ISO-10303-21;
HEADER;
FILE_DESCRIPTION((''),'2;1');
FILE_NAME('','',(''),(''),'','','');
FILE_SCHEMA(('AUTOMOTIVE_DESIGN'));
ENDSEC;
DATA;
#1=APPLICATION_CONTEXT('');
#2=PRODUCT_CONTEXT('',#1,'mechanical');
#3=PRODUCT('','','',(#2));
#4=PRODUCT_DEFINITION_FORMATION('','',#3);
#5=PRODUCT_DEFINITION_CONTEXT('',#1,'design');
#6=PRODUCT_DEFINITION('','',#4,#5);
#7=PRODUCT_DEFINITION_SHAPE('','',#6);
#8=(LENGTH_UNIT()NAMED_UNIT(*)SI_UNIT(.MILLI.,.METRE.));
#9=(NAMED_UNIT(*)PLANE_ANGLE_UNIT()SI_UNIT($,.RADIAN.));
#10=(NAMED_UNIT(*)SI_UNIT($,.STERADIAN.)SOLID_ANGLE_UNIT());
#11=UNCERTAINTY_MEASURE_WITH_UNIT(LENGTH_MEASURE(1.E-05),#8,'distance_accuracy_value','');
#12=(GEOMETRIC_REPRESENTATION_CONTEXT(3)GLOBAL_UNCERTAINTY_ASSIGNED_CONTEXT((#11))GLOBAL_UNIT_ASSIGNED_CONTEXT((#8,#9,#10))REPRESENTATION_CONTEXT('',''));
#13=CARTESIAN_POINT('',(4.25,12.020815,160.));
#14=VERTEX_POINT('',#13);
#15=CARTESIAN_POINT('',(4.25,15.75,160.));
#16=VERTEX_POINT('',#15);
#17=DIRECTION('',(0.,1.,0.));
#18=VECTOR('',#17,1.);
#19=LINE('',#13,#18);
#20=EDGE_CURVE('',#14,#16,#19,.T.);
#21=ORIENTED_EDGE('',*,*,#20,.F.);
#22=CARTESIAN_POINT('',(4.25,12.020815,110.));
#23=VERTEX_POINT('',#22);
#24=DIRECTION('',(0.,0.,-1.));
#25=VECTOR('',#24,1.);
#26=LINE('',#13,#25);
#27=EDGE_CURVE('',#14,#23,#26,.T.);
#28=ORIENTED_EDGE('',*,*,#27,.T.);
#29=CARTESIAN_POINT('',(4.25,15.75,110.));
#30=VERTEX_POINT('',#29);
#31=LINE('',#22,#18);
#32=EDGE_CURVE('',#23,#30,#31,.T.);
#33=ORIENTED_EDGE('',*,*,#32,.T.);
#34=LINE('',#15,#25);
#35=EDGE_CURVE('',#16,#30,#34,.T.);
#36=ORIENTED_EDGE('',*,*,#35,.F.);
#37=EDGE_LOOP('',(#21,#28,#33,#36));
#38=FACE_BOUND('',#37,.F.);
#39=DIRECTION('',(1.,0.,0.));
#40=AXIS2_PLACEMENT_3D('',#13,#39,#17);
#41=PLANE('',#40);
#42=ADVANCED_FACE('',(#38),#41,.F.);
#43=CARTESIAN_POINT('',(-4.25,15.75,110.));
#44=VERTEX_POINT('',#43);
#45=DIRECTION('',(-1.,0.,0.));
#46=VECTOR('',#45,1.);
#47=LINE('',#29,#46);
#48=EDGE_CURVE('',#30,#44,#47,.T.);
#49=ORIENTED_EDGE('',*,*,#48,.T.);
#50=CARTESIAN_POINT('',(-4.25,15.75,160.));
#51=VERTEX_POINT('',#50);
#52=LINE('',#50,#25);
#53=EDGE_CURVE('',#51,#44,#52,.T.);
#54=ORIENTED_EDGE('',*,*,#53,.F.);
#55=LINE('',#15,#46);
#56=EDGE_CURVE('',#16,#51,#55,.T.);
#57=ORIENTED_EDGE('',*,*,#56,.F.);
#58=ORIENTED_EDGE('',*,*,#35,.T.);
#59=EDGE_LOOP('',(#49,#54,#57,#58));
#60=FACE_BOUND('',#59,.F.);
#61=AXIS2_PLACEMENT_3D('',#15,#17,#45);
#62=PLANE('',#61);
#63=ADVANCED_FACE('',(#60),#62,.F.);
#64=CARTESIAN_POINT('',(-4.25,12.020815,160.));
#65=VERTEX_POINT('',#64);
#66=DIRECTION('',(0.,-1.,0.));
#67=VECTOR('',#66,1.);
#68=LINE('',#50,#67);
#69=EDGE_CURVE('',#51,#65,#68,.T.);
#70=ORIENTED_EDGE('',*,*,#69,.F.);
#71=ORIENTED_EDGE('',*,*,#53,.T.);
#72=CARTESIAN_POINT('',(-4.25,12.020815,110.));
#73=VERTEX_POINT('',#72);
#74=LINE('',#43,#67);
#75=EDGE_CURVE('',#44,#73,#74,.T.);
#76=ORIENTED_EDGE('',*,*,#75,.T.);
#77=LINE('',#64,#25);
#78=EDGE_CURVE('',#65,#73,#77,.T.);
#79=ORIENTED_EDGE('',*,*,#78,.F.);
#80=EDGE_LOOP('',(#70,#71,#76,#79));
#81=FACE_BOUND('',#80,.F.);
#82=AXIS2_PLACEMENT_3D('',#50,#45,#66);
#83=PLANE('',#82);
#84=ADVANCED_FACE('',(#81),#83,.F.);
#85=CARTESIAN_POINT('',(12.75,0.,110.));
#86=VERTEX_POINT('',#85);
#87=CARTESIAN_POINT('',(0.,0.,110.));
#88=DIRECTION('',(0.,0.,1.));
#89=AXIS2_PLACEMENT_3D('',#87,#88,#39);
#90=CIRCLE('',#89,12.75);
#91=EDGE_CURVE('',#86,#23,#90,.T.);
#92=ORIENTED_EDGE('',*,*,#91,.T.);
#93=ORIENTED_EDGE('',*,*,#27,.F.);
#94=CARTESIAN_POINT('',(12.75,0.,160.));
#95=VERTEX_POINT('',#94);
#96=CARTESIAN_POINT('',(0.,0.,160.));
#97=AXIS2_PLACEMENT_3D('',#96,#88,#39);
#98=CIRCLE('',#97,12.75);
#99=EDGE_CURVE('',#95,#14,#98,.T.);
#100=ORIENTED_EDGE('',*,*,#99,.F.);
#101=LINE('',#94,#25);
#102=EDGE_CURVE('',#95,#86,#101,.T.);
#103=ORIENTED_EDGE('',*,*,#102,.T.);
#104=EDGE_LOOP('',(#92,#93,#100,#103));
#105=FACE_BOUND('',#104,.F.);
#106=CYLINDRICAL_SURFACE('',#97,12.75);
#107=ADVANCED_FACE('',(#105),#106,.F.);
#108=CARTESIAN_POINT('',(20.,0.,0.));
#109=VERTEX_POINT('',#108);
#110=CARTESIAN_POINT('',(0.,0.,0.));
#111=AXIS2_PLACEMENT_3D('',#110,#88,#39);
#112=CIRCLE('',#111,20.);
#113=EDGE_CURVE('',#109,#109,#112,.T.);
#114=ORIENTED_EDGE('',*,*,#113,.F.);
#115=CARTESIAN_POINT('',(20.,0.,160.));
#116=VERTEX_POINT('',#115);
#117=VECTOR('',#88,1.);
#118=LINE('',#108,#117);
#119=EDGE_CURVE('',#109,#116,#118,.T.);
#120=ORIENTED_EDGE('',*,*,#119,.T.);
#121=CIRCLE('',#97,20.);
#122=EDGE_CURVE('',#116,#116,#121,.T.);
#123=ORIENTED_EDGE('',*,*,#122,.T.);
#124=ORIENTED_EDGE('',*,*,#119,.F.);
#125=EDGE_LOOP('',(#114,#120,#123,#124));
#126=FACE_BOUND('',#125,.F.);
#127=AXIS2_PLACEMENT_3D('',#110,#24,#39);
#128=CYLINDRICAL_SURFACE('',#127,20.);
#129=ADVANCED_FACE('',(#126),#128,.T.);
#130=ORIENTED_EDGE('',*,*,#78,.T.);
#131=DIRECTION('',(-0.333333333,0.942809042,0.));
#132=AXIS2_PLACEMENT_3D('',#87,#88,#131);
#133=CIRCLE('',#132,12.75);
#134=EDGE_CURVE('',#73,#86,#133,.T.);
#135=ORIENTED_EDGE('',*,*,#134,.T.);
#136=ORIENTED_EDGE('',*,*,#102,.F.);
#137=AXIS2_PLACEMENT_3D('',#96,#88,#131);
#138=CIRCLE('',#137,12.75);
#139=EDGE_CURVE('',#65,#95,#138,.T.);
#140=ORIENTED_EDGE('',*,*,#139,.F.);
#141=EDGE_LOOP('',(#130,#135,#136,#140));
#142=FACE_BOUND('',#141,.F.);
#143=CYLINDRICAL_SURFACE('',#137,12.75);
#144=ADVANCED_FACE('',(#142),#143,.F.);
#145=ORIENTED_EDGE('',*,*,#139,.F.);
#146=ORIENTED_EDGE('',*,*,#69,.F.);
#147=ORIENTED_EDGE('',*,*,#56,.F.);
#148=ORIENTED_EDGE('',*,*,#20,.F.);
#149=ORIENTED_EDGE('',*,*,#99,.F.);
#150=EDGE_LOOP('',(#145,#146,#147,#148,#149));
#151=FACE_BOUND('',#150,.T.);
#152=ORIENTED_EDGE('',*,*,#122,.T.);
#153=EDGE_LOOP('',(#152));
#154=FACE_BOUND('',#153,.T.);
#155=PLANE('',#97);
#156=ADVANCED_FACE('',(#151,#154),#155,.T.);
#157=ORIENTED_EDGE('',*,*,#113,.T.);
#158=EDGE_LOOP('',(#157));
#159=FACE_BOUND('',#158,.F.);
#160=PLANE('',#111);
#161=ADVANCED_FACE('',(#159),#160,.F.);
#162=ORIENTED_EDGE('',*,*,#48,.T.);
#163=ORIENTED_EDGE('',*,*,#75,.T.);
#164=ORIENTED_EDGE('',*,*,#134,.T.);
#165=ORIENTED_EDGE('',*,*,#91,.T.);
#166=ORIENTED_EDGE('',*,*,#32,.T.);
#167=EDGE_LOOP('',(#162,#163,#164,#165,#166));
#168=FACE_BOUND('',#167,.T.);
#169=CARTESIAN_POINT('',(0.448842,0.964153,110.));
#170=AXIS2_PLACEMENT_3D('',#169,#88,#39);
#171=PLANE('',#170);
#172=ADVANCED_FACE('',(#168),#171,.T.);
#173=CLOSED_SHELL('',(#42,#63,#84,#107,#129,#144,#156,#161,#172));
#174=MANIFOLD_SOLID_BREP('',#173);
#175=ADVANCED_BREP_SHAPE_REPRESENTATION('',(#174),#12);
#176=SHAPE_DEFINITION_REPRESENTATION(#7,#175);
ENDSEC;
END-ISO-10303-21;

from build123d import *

# Parameters (mm, degrees)
F0_R     = 20
F1_DEPTH = 160
F3_DEPTH = 50


with BuildPart() as f1:
    # F0 (on Top) → F1 (new body)
    with BuildSketch(Plane.XY):
        Circle(F0_R)
    extrude(amount=F1_DEPTH)

    # F2 (on face) → F3 (cut)
    with BuildSketch(Plane.XY.offset(160)):
        with BuildLine():
            ThreePointArc((-4.25, 12.0208152802), (-7.3612159322, -10.4103314068), (12.75, 0))
            ThreePointArc((12.75, 0), (10.4103314068, 7.3612159322), (4.25, 12.0208152802))
            Line((4.25, 12.0208152802), (4.25, 9.75))
            Line((4.25, 9.75), (-4.25, 9.75))
            Line((-4.25, 9.75), (-4.25, 12.0208152802))
        make_face()
        with BuildLine():
            Line((4.25, 9.75), (4.25, 12.0208152802))
            ThreePointArc((4.25, 12.0208152802), (0, 12.75), (-4.25, 12.0208152802))
            Line((-4.25, 12.0208152802), (-4.25, 9.75))
            Line((-4.25, 9.75), (4.25, 9.75))
        make_face()
        with BuildLine():
            ThreePointArc((-4.25, 12.0208152802), (0, 12.75), (4.25, 12.0208152802))
            Line((4.25, 12.0208152802), (4.25, 15.75))
            Line((4.25, 15.75), (-4.25, 15.75))
            Line((-4.25, 15.75), (-4.25, 12.0208152802))
        make_face()
    extrude(amount=-F3_DEPTH, mode=Mode.SUBTRACT)


solid = f1.part
